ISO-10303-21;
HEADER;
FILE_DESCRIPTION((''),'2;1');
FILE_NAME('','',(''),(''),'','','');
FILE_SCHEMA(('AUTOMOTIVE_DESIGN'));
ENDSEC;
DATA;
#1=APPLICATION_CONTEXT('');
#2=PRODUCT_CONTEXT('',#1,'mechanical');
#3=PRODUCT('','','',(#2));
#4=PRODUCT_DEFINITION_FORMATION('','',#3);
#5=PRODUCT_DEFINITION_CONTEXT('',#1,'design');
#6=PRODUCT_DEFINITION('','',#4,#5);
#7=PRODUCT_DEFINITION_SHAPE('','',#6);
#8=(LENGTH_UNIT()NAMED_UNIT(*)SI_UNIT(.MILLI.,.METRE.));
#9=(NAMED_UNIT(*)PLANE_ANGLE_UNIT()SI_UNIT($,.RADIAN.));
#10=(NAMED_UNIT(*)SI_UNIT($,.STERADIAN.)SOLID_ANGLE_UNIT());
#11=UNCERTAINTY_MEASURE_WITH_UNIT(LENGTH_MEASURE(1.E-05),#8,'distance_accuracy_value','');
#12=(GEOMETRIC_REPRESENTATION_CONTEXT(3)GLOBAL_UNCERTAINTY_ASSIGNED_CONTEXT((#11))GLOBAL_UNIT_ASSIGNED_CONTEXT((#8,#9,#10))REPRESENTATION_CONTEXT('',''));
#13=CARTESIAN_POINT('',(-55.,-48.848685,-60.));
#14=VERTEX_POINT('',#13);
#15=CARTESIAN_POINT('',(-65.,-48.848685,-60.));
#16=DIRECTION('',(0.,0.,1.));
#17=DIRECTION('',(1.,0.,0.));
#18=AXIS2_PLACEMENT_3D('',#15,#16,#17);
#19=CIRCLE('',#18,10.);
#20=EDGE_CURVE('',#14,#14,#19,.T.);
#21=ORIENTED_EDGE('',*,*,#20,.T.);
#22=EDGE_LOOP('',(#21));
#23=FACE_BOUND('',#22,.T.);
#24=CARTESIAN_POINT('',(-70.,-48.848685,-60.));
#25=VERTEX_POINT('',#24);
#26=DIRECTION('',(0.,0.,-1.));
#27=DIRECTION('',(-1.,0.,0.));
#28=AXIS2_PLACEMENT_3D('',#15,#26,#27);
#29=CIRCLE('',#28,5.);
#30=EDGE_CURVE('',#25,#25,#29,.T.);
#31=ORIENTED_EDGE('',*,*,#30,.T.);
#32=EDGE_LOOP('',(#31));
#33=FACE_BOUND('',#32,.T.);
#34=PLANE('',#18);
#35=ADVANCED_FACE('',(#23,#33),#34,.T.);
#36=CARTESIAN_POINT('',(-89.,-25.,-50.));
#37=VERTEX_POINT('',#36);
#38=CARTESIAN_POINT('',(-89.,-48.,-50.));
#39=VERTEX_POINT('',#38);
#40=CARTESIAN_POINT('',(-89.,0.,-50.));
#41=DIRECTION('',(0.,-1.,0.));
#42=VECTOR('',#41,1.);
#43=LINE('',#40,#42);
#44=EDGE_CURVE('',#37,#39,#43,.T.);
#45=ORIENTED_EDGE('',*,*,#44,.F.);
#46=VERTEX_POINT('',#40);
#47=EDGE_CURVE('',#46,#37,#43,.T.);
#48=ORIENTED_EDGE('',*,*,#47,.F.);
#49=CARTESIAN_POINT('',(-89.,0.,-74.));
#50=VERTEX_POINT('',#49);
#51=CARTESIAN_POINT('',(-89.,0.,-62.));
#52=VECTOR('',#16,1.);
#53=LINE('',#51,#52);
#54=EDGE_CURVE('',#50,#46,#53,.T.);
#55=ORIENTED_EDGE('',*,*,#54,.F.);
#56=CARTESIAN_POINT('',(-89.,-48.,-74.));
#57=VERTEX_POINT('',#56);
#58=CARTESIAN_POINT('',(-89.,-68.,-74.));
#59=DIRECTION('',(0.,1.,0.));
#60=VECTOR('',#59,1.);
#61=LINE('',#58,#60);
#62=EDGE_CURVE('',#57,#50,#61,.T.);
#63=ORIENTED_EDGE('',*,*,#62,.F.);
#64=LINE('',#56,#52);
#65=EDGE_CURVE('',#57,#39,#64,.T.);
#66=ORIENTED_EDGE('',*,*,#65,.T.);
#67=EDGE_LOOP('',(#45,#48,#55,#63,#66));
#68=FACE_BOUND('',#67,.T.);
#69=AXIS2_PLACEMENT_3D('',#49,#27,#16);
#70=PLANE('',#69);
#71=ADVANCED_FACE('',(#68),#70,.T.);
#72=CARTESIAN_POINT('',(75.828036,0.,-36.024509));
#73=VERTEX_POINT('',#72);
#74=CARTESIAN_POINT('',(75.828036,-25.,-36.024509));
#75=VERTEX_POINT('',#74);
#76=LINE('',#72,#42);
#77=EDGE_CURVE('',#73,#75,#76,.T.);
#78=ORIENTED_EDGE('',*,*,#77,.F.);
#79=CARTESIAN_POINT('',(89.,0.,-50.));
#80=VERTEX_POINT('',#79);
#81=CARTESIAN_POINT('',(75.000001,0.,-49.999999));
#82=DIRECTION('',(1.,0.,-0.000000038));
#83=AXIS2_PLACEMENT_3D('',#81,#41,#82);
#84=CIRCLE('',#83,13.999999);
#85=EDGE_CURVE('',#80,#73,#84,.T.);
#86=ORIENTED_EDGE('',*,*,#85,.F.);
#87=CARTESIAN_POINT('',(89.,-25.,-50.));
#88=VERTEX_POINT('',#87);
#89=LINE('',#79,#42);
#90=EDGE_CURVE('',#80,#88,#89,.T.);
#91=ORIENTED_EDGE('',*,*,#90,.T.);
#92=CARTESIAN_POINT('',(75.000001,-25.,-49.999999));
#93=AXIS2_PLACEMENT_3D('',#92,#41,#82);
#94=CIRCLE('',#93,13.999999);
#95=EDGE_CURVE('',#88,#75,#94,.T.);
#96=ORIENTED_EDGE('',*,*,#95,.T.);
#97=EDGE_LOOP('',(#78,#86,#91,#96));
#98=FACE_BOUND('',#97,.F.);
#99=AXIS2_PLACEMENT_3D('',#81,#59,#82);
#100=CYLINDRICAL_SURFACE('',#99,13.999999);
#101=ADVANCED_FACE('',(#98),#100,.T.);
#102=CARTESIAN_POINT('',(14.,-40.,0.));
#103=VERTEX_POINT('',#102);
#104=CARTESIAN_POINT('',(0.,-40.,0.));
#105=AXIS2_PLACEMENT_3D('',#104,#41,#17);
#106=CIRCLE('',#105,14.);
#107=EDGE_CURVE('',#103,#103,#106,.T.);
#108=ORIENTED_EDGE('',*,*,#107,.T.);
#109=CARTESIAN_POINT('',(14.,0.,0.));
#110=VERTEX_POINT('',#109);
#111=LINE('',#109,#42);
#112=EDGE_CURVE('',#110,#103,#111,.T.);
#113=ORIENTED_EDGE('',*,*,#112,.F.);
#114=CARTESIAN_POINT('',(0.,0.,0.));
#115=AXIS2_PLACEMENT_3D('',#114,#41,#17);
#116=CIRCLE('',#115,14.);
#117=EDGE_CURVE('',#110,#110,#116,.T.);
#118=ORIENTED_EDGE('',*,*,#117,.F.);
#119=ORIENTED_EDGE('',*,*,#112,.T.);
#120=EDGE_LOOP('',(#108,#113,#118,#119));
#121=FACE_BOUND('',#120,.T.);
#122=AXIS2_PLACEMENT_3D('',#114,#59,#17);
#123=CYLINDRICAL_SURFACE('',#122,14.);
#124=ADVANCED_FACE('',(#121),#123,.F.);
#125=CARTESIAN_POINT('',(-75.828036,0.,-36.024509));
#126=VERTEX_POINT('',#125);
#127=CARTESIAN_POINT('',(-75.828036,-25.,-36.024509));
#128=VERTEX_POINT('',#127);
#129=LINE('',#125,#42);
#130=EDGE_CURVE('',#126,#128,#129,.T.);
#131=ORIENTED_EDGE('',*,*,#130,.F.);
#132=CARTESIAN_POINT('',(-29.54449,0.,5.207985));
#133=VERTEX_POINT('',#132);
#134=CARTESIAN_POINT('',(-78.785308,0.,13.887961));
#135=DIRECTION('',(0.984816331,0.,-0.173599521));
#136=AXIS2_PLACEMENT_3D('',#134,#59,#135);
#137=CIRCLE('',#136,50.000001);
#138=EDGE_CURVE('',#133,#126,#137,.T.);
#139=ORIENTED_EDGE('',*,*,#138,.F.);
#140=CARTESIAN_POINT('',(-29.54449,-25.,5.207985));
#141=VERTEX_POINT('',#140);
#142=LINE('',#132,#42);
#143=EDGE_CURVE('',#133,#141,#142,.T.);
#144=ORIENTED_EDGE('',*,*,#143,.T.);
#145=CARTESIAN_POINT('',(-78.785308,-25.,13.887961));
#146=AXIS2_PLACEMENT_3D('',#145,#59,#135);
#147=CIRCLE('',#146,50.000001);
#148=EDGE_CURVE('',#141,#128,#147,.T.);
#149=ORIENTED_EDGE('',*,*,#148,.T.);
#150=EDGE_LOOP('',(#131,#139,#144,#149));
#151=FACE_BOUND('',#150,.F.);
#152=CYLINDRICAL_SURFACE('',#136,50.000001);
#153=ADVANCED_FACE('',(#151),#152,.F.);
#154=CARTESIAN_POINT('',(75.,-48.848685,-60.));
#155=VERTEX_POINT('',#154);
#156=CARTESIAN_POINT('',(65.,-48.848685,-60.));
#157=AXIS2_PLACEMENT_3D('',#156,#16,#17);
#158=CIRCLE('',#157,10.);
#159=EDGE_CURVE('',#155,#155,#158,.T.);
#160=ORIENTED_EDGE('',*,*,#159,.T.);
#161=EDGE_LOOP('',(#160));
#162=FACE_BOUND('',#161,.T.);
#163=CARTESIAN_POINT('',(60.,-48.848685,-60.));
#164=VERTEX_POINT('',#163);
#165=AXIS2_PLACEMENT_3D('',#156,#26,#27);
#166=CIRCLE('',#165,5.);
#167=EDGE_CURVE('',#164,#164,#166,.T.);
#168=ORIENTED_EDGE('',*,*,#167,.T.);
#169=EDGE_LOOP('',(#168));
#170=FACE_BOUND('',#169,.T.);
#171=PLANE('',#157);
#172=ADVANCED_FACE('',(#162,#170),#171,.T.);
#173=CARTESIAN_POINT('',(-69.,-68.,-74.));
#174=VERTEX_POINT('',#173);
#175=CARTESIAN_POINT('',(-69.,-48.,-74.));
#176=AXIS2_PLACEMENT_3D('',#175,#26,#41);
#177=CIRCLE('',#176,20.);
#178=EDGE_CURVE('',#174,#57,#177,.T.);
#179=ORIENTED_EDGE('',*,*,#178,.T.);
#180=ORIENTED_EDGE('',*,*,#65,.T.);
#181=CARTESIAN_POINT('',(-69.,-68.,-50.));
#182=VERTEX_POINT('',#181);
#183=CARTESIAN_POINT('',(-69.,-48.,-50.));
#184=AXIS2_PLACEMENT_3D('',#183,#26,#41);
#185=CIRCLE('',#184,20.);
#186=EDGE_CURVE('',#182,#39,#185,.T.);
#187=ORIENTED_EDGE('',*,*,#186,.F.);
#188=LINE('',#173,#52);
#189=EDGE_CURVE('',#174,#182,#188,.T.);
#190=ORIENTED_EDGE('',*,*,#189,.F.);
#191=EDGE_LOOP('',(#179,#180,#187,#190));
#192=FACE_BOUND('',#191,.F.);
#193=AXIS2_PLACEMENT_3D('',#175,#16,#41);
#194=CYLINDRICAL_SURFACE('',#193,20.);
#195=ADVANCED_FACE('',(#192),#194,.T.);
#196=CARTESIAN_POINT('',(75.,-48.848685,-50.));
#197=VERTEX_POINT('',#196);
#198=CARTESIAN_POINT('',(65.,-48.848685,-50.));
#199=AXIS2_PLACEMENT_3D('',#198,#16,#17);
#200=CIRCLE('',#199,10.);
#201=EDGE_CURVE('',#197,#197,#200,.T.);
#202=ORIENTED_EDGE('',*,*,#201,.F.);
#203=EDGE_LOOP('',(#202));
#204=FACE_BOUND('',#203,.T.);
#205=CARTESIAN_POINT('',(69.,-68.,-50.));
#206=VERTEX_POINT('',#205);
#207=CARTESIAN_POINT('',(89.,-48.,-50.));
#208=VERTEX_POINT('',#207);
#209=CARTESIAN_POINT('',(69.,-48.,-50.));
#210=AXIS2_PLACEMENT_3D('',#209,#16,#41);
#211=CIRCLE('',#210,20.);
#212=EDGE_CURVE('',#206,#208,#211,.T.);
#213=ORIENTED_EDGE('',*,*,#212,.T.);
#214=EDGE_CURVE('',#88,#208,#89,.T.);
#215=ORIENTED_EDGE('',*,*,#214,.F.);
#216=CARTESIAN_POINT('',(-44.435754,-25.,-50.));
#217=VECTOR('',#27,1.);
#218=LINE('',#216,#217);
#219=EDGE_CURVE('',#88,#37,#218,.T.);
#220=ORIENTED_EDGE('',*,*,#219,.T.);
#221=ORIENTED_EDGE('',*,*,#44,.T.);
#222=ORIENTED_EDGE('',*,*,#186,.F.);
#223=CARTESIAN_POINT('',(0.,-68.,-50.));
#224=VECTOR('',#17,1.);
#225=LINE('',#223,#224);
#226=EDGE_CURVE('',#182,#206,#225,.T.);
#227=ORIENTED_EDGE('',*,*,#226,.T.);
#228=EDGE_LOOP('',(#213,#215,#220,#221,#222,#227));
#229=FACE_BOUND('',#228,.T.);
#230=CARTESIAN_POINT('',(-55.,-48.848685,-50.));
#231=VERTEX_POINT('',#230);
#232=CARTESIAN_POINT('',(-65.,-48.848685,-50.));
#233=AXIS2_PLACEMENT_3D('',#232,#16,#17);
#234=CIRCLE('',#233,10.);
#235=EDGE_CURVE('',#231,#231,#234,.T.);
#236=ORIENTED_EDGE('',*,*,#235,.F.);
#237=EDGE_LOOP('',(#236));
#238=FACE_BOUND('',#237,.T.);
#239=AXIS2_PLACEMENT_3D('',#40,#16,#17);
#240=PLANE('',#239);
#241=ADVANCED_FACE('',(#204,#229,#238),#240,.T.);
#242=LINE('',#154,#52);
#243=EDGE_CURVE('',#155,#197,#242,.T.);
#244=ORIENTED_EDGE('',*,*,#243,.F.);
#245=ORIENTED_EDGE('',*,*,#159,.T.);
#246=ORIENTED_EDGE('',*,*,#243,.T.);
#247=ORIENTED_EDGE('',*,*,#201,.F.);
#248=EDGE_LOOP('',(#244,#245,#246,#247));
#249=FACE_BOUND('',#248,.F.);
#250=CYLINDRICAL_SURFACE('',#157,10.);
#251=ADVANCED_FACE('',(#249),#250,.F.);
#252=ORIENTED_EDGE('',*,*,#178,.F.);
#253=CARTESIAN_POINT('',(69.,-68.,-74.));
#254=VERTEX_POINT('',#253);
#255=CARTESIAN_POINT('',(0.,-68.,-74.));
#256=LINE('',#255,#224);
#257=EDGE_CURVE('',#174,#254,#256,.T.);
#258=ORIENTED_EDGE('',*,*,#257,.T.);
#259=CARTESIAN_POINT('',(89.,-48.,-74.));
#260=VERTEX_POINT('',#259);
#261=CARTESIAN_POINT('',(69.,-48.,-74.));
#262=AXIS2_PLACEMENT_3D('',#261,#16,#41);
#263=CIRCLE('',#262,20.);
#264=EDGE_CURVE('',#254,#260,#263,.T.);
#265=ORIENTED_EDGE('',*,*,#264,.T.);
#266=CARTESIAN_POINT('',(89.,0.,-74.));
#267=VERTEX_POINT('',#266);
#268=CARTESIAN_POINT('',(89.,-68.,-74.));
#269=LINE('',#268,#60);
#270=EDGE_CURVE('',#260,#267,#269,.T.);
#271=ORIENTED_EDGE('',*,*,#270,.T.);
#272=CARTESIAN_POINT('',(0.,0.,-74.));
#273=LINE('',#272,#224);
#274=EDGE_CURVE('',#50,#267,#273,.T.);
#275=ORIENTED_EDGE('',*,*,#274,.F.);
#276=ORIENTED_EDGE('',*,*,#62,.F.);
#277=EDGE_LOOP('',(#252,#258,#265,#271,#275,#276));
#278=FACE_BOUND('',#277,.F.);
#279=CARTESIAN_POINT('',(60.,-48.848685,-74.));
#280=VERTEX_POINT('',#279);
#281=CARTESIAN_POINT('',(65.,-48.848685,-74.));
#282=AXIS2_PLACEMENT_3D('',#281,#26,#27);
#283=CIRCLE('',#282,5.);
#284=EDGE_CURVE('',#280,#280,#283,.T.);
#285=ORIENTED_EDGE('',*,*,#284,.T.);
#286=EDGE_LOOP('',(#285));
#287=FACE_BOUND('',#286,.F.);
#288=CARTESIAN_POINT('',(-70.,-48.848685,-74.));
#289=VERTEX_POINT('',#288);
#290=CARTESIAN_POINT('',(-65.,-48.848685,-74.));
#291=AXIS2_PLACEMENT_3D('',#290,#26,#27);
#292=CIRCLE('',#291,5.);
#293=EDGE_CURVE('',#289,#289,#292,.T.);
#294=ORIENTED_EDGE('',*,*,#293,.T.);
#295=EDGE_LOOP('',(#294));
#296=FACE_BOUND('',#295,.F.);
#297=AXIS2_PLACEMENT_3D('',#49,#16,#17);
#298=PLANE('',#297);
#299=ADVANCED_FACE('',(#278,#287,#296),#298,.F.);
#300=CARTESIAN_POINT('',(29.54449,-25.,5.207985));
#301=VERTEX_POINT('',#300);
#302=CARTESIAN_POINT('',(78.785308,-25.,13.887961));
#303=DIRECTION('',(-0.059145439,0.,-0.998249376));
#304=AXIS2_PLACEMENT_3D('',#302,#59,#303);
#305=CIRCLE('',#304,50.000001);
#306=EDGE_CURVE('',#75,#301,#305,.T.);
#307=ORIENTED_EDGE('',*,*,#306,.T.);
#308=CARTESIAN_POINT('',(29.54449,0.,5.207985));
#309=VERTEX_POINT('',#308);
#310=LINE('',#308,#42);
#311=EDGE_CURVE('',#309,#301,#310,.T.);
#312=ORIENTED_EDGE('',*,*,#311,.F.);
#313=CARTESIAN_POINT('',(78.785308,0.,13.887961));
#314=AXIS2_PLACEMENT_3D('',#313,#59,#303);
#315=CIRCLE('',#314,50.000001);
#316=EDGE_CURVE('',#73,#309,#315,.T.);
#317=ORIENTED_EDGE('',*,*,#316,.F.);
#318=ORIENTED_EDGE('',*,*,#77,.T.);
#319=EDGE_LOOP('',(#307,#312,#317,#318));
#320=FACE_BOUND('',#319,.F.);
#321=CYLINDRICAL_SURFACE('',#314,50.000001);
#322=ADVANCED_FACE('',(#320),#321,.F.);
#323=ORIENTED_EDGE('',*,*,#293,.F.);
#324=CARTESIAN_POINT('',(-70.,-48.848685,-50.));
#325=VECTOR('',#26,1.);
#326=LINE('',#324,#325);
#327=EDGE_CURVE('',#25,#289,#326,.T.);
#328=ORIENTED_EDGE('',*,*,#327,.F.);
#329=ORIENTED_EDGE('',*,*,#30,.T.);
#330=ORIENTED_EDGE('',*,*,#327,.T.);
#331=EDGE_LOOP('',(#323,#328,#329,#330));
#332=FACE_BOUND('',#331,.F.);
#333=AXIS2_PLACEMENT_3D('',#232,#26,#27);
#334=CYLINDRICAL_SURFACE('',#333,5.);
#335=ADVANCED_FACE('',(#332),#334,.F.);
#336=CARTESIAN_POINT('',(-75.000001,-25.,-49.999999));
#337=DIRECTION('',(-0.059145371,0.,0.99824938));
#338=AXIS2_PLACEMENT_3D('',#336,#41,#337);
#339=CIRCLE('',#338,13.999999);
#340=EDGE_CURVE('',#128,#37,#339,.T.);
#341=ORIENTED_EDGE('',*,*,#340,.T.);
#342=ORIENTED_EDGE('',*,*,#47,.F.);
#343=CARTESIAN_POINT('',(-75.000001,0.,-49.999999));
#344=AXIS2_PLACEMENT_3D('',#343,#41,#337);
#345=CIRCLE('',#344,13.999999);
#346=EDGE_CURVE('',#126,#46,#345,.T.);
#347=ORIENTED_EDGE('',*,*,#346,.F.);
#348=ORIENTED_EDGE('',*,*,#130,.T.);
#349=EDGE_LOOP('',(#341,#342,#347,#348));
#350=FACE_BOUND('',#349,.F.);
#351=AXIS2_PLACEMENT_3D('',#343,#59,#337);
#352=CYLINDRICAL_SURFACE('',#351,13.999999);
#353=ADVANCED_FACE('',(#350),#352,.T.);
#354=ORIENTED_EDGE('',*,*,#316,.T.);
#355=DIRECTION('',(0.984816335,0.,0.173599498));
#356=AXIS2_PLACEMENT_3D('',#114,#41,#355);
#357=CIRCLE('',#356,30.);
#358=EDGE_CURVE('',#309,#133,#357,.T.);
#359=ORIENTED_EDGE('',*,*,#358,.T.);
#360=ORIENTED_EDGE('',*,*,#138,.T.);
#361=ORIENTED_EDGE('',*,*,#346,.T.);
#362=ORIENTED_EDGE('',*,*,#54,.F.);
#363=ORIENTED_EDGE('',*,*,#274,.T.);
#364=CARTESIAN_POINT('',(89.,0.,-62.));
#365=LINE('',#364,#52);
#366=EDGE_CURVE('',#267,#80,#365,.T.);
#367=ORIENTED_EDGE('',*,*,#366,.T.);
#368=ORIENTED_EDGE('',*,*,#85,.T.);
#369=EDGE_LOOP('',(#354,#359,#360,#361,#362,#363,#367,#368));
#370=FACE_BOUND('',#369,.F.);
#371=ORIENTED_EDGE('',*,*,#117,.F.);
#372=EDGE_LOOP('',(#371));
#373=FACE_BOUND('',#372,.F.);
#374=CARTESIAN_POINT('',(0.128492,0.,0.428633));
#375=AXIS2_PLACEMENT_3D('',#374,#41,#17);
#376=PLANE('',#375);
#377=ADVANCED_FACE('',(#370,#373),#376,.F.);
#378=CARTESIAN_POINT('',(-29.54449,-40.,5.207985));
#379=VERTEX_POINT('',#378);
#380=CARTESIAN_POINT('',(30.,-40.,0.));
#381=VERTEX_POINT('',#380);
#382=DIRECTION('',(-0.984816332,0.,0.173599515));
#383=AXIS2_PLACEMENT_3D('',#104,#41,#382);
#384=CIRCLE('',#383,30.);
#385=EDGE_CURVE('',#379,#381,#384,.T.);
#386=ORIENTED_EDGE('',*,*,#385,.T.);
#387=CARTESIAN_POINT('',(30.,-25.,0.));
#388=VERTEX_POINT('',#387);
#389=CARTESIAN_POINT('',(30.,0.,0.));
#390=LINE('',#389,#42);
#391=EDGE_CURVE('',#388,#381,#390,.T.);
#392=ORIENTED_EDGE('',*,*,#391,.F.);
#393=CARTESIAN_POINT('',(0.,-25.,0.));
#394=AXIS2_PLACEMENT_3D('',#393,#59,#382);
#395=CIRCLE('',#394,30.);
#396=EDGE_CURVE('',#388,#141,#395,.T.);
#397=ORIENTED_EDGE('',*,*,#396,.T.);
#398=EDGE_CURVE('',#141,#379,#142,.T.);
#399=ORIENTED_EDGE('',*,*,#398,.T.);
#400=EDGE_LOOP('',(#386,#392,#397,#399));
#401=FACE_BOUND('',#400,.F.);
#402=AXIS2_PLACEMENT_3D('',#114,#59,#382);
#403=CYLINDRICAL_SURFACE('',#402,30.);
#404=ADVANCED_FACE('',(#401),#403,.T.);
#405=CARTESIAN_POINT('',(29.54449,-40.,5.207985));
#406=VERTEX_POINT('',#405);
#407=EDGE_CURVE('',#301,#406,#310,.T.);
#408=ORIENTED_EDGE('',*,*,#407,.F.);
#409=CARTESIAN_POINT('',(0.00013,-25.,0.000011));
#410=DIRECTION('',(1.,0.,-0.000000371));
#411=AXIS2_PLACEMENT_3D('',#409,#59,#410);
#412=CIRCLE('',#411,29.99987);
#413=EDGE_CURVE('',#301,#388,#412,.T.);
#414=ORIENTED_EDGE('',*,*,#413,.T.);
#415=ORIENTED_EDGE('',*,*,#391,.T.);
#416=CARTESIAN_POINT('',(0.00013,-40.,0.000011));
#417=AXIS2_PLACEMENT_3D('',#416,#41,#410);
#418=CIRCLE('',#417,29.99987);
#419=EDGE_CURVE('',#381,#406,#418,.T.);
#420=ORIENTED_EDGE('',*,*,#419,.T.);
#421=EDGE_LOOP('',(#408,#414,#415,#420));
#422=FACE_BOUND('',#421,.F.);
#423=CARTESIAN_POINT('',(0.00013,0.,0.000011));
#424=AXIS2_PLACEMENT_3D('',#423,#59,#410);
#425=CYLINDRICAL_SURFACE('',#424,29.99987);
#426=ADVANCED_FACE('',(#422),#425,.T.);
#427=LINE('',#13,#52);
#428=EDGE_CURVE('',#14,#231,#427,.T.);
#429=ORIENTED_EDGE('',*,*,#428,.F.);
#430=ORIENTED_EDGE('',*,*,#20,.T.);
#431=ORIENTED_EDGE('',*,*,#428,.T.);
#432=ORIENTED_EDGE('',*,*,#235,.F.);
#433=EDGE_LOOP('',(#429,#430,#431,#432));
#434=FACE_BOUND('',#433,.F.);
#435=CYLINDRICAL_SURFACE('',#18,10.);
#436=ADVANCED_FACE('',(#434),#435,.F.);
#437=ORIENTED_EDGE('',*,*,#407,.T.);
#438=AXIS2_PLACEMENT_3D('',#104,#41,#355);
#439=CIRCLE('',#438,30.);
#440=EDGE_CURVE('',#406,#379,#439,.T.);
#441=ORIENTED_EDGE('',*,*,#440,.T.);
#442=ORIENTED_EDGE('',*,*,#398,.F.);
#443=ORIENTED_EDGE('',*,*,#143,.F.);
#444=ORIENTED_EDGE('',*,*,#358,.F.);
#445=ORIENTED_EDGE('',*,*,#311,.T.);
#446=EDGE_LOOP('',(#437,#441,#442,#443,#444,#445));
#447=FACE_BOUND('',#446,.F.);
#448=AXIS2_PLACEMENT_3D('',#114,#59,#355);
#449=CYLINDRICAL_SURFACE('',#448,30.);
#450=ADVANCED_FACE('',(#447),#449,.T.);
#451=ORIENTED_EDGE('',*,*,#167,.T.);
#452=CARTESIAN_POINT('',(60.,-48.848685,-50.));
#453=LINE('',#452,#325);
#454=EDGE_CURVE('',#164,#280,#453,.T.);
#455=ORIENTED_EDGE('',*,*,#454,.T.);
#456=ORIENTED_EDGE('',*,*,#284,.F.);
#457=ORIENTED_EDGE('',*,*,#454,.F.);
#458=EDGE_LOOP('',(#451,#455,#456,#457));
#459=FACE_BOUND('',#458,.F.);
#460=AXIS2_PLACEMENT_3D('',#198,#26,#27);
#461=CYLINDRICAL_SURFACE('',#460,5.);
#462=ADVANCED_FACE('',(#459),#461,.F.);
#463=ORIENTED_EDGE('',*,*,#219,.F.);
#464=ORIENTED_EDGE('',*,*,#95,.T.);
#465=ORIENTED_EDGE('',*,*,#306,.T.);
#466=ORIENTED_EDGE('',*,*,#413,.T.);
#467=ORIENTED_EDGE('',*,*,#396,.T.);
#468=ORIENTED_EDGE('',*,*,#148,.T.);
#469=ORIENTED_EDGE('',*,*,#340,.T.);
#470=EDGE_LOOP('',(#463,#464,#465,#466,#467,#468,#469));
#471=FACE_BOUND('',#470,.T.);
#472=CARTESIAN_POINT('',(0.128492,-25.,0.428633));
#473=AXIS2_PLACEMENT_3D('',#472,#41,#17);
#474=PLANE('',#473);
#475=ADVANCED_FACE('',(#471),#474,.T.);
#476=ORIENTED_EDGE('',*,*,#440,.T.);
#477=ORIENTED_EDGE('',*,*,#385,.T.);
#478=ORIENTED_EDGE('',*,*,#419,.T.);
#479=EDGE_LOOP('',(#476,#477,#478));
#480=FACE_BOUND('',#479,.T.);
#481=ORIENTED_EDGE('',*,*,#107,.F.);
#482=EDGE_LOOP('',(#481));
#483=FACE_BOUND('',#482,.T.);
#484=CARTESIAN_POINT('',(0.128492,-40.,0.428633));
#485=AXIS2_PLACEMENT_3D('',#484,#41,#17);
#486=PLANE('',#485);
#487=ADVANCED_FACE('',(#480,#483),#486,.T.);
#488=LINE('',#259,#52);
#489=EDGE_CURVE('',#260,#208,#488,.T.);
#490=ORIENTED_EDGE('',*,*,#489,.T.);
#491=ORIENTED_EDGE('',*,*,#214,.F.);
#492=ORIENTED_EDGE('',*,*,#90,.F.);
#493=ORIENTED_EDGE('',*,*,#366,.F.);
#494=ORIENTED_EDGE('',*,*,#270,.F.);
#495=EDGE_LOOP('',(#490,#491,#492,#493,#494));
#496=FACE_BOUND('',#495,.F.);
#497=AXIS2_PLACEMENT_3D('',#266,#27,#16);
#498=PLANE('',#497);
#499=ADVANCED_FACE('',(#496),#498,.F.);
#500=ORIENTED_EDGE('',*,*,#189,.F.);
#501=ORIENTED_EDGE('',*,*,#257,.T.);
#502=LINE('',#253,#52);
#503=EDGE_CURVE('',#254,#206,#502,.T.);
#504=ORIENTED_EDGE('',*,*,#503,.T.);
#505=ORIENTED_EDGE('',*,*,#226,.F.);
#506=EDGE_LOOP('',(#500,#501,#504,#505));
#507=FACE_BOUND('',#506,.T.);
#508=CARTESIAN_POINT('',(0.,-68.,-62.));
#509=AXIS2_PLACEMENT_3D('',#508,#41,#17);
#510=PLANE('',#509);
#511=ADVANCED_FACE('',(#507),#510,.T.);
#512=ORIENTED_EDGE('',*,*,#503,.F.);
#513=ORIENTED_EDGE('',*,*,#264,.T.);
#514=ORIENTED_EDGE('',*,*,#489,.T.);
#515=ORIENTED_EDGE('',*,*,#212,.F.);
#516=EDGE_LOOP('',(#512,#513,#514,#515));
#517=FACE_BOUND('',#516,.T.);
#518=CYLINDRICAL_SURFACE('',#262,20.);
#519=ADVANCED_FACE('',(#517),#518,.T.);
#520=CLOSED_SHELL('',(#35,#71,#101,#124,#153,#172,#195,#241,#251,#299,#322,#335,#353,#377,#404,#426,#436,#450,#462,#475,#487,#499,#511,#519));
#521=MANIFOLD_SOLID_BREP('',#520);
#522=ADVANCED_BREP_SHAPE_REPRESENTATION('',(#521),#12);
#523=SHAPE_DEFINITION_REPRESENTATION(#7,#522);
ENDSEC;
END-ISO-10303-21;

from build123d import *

# Parameters (mm, degrees)
F0_R           = 14
F0_W           = 178
F0_H           = 24
F1_DEPTH       = 25
F2_DEPTH       = 40
F3_DEPTH       = 68
F4_R           = 20
F6_D           = 10
F6_CBORE_D     = 20
F6_CBORE_DEPTH = 10


with BuildPart() as f1:
    # F0 (on Front) → F1 (new body)
    with BuildSketch(Plane.XZ):
        with BuildLine():
            ThreePointArc((-29.54449, 5.207985), (-2.613934, -29.885906), (30, 0))
            ThreePointArc((30, 0), (29.885906, 2.613934), (29.54449, 5.207985))
            ThreePointArc((29.54449, 5.207985), (0, 30), (-29.54449, 5.207985))
        make_face()
        Circle(F0_R, mode=Mode.SUBTRACT)
        with BuildLine():
            ThreePointArc((29.54449, 5.207985), (29.885906, 2.613934), (30, 0))
            ThreePointArc((30, 0), (-2.613934, -29.885906), (-29.54449, 5.207985))
            ThreePointArc((-29.54449, 5.207985), (-45.525876, -23.445808), (-75.828036, -36.024509))
            ThreePointArc((-75.828036, -36.024509), (-85.188045, -40.397722), (-89, -50))
            Line((-89, -50), (89, -50))
            ThreePointArc((89, -50), (85.188045, -40.397722), (75.828036, -36.024509))
            ThreePointArc((75.828036, -36.024509), (45.525876, -23.445808), (29.54449, 5.207985))
        make_face()
        with Locations((0, -62)):
            Rectangle(F0_W, F0_H)
    extrude(amount=F1_DEPTH)

    # F0 (on Front) → F2 (join)
    with BuildSketch(Plane.XZ):
        with BuildLine():
            ThreePointArc((-29.54449, 5.207985), (-2.613934, -29.885906), (30, 0))
            ThreePointArc((30, 0), (29.885906, 2.613934), (29.54449, 5.207985))
            ThreePointArc((29.54449, 5.207985), (0, 30), (-29.54449, 5.207985))
        make_face()
        Circle(F0_R, mode=Mode.SUBTRACT)
    extrude(amount=F2_DEPTH)

    # F0 (on Front) → F3 (join)
    with BuildSketch(Plane.XZ):
        with Locations((0, -62)):
            Rectangle(F0_W, F0_H)
    extrude(amount=F3_DEPTH)

    # F4
    f4_edges = [f1.edges().sort_by_distance(p)[0] for p in [
        (-89, -68, -62),
        (89, -68, -62),
    ]]
    fillet(f4_edges, radius=F4_R)

    # F6 (through all)
    with Locations(Plane.XY.offset(-50)):
        with Locations((-65, -48.848685), (65, -48.848685)):
            CounterBoreHole(F6_D / 2, F6_CBORE_D / 2, F6_CBORE_DEPTH)


solid = f1.part
